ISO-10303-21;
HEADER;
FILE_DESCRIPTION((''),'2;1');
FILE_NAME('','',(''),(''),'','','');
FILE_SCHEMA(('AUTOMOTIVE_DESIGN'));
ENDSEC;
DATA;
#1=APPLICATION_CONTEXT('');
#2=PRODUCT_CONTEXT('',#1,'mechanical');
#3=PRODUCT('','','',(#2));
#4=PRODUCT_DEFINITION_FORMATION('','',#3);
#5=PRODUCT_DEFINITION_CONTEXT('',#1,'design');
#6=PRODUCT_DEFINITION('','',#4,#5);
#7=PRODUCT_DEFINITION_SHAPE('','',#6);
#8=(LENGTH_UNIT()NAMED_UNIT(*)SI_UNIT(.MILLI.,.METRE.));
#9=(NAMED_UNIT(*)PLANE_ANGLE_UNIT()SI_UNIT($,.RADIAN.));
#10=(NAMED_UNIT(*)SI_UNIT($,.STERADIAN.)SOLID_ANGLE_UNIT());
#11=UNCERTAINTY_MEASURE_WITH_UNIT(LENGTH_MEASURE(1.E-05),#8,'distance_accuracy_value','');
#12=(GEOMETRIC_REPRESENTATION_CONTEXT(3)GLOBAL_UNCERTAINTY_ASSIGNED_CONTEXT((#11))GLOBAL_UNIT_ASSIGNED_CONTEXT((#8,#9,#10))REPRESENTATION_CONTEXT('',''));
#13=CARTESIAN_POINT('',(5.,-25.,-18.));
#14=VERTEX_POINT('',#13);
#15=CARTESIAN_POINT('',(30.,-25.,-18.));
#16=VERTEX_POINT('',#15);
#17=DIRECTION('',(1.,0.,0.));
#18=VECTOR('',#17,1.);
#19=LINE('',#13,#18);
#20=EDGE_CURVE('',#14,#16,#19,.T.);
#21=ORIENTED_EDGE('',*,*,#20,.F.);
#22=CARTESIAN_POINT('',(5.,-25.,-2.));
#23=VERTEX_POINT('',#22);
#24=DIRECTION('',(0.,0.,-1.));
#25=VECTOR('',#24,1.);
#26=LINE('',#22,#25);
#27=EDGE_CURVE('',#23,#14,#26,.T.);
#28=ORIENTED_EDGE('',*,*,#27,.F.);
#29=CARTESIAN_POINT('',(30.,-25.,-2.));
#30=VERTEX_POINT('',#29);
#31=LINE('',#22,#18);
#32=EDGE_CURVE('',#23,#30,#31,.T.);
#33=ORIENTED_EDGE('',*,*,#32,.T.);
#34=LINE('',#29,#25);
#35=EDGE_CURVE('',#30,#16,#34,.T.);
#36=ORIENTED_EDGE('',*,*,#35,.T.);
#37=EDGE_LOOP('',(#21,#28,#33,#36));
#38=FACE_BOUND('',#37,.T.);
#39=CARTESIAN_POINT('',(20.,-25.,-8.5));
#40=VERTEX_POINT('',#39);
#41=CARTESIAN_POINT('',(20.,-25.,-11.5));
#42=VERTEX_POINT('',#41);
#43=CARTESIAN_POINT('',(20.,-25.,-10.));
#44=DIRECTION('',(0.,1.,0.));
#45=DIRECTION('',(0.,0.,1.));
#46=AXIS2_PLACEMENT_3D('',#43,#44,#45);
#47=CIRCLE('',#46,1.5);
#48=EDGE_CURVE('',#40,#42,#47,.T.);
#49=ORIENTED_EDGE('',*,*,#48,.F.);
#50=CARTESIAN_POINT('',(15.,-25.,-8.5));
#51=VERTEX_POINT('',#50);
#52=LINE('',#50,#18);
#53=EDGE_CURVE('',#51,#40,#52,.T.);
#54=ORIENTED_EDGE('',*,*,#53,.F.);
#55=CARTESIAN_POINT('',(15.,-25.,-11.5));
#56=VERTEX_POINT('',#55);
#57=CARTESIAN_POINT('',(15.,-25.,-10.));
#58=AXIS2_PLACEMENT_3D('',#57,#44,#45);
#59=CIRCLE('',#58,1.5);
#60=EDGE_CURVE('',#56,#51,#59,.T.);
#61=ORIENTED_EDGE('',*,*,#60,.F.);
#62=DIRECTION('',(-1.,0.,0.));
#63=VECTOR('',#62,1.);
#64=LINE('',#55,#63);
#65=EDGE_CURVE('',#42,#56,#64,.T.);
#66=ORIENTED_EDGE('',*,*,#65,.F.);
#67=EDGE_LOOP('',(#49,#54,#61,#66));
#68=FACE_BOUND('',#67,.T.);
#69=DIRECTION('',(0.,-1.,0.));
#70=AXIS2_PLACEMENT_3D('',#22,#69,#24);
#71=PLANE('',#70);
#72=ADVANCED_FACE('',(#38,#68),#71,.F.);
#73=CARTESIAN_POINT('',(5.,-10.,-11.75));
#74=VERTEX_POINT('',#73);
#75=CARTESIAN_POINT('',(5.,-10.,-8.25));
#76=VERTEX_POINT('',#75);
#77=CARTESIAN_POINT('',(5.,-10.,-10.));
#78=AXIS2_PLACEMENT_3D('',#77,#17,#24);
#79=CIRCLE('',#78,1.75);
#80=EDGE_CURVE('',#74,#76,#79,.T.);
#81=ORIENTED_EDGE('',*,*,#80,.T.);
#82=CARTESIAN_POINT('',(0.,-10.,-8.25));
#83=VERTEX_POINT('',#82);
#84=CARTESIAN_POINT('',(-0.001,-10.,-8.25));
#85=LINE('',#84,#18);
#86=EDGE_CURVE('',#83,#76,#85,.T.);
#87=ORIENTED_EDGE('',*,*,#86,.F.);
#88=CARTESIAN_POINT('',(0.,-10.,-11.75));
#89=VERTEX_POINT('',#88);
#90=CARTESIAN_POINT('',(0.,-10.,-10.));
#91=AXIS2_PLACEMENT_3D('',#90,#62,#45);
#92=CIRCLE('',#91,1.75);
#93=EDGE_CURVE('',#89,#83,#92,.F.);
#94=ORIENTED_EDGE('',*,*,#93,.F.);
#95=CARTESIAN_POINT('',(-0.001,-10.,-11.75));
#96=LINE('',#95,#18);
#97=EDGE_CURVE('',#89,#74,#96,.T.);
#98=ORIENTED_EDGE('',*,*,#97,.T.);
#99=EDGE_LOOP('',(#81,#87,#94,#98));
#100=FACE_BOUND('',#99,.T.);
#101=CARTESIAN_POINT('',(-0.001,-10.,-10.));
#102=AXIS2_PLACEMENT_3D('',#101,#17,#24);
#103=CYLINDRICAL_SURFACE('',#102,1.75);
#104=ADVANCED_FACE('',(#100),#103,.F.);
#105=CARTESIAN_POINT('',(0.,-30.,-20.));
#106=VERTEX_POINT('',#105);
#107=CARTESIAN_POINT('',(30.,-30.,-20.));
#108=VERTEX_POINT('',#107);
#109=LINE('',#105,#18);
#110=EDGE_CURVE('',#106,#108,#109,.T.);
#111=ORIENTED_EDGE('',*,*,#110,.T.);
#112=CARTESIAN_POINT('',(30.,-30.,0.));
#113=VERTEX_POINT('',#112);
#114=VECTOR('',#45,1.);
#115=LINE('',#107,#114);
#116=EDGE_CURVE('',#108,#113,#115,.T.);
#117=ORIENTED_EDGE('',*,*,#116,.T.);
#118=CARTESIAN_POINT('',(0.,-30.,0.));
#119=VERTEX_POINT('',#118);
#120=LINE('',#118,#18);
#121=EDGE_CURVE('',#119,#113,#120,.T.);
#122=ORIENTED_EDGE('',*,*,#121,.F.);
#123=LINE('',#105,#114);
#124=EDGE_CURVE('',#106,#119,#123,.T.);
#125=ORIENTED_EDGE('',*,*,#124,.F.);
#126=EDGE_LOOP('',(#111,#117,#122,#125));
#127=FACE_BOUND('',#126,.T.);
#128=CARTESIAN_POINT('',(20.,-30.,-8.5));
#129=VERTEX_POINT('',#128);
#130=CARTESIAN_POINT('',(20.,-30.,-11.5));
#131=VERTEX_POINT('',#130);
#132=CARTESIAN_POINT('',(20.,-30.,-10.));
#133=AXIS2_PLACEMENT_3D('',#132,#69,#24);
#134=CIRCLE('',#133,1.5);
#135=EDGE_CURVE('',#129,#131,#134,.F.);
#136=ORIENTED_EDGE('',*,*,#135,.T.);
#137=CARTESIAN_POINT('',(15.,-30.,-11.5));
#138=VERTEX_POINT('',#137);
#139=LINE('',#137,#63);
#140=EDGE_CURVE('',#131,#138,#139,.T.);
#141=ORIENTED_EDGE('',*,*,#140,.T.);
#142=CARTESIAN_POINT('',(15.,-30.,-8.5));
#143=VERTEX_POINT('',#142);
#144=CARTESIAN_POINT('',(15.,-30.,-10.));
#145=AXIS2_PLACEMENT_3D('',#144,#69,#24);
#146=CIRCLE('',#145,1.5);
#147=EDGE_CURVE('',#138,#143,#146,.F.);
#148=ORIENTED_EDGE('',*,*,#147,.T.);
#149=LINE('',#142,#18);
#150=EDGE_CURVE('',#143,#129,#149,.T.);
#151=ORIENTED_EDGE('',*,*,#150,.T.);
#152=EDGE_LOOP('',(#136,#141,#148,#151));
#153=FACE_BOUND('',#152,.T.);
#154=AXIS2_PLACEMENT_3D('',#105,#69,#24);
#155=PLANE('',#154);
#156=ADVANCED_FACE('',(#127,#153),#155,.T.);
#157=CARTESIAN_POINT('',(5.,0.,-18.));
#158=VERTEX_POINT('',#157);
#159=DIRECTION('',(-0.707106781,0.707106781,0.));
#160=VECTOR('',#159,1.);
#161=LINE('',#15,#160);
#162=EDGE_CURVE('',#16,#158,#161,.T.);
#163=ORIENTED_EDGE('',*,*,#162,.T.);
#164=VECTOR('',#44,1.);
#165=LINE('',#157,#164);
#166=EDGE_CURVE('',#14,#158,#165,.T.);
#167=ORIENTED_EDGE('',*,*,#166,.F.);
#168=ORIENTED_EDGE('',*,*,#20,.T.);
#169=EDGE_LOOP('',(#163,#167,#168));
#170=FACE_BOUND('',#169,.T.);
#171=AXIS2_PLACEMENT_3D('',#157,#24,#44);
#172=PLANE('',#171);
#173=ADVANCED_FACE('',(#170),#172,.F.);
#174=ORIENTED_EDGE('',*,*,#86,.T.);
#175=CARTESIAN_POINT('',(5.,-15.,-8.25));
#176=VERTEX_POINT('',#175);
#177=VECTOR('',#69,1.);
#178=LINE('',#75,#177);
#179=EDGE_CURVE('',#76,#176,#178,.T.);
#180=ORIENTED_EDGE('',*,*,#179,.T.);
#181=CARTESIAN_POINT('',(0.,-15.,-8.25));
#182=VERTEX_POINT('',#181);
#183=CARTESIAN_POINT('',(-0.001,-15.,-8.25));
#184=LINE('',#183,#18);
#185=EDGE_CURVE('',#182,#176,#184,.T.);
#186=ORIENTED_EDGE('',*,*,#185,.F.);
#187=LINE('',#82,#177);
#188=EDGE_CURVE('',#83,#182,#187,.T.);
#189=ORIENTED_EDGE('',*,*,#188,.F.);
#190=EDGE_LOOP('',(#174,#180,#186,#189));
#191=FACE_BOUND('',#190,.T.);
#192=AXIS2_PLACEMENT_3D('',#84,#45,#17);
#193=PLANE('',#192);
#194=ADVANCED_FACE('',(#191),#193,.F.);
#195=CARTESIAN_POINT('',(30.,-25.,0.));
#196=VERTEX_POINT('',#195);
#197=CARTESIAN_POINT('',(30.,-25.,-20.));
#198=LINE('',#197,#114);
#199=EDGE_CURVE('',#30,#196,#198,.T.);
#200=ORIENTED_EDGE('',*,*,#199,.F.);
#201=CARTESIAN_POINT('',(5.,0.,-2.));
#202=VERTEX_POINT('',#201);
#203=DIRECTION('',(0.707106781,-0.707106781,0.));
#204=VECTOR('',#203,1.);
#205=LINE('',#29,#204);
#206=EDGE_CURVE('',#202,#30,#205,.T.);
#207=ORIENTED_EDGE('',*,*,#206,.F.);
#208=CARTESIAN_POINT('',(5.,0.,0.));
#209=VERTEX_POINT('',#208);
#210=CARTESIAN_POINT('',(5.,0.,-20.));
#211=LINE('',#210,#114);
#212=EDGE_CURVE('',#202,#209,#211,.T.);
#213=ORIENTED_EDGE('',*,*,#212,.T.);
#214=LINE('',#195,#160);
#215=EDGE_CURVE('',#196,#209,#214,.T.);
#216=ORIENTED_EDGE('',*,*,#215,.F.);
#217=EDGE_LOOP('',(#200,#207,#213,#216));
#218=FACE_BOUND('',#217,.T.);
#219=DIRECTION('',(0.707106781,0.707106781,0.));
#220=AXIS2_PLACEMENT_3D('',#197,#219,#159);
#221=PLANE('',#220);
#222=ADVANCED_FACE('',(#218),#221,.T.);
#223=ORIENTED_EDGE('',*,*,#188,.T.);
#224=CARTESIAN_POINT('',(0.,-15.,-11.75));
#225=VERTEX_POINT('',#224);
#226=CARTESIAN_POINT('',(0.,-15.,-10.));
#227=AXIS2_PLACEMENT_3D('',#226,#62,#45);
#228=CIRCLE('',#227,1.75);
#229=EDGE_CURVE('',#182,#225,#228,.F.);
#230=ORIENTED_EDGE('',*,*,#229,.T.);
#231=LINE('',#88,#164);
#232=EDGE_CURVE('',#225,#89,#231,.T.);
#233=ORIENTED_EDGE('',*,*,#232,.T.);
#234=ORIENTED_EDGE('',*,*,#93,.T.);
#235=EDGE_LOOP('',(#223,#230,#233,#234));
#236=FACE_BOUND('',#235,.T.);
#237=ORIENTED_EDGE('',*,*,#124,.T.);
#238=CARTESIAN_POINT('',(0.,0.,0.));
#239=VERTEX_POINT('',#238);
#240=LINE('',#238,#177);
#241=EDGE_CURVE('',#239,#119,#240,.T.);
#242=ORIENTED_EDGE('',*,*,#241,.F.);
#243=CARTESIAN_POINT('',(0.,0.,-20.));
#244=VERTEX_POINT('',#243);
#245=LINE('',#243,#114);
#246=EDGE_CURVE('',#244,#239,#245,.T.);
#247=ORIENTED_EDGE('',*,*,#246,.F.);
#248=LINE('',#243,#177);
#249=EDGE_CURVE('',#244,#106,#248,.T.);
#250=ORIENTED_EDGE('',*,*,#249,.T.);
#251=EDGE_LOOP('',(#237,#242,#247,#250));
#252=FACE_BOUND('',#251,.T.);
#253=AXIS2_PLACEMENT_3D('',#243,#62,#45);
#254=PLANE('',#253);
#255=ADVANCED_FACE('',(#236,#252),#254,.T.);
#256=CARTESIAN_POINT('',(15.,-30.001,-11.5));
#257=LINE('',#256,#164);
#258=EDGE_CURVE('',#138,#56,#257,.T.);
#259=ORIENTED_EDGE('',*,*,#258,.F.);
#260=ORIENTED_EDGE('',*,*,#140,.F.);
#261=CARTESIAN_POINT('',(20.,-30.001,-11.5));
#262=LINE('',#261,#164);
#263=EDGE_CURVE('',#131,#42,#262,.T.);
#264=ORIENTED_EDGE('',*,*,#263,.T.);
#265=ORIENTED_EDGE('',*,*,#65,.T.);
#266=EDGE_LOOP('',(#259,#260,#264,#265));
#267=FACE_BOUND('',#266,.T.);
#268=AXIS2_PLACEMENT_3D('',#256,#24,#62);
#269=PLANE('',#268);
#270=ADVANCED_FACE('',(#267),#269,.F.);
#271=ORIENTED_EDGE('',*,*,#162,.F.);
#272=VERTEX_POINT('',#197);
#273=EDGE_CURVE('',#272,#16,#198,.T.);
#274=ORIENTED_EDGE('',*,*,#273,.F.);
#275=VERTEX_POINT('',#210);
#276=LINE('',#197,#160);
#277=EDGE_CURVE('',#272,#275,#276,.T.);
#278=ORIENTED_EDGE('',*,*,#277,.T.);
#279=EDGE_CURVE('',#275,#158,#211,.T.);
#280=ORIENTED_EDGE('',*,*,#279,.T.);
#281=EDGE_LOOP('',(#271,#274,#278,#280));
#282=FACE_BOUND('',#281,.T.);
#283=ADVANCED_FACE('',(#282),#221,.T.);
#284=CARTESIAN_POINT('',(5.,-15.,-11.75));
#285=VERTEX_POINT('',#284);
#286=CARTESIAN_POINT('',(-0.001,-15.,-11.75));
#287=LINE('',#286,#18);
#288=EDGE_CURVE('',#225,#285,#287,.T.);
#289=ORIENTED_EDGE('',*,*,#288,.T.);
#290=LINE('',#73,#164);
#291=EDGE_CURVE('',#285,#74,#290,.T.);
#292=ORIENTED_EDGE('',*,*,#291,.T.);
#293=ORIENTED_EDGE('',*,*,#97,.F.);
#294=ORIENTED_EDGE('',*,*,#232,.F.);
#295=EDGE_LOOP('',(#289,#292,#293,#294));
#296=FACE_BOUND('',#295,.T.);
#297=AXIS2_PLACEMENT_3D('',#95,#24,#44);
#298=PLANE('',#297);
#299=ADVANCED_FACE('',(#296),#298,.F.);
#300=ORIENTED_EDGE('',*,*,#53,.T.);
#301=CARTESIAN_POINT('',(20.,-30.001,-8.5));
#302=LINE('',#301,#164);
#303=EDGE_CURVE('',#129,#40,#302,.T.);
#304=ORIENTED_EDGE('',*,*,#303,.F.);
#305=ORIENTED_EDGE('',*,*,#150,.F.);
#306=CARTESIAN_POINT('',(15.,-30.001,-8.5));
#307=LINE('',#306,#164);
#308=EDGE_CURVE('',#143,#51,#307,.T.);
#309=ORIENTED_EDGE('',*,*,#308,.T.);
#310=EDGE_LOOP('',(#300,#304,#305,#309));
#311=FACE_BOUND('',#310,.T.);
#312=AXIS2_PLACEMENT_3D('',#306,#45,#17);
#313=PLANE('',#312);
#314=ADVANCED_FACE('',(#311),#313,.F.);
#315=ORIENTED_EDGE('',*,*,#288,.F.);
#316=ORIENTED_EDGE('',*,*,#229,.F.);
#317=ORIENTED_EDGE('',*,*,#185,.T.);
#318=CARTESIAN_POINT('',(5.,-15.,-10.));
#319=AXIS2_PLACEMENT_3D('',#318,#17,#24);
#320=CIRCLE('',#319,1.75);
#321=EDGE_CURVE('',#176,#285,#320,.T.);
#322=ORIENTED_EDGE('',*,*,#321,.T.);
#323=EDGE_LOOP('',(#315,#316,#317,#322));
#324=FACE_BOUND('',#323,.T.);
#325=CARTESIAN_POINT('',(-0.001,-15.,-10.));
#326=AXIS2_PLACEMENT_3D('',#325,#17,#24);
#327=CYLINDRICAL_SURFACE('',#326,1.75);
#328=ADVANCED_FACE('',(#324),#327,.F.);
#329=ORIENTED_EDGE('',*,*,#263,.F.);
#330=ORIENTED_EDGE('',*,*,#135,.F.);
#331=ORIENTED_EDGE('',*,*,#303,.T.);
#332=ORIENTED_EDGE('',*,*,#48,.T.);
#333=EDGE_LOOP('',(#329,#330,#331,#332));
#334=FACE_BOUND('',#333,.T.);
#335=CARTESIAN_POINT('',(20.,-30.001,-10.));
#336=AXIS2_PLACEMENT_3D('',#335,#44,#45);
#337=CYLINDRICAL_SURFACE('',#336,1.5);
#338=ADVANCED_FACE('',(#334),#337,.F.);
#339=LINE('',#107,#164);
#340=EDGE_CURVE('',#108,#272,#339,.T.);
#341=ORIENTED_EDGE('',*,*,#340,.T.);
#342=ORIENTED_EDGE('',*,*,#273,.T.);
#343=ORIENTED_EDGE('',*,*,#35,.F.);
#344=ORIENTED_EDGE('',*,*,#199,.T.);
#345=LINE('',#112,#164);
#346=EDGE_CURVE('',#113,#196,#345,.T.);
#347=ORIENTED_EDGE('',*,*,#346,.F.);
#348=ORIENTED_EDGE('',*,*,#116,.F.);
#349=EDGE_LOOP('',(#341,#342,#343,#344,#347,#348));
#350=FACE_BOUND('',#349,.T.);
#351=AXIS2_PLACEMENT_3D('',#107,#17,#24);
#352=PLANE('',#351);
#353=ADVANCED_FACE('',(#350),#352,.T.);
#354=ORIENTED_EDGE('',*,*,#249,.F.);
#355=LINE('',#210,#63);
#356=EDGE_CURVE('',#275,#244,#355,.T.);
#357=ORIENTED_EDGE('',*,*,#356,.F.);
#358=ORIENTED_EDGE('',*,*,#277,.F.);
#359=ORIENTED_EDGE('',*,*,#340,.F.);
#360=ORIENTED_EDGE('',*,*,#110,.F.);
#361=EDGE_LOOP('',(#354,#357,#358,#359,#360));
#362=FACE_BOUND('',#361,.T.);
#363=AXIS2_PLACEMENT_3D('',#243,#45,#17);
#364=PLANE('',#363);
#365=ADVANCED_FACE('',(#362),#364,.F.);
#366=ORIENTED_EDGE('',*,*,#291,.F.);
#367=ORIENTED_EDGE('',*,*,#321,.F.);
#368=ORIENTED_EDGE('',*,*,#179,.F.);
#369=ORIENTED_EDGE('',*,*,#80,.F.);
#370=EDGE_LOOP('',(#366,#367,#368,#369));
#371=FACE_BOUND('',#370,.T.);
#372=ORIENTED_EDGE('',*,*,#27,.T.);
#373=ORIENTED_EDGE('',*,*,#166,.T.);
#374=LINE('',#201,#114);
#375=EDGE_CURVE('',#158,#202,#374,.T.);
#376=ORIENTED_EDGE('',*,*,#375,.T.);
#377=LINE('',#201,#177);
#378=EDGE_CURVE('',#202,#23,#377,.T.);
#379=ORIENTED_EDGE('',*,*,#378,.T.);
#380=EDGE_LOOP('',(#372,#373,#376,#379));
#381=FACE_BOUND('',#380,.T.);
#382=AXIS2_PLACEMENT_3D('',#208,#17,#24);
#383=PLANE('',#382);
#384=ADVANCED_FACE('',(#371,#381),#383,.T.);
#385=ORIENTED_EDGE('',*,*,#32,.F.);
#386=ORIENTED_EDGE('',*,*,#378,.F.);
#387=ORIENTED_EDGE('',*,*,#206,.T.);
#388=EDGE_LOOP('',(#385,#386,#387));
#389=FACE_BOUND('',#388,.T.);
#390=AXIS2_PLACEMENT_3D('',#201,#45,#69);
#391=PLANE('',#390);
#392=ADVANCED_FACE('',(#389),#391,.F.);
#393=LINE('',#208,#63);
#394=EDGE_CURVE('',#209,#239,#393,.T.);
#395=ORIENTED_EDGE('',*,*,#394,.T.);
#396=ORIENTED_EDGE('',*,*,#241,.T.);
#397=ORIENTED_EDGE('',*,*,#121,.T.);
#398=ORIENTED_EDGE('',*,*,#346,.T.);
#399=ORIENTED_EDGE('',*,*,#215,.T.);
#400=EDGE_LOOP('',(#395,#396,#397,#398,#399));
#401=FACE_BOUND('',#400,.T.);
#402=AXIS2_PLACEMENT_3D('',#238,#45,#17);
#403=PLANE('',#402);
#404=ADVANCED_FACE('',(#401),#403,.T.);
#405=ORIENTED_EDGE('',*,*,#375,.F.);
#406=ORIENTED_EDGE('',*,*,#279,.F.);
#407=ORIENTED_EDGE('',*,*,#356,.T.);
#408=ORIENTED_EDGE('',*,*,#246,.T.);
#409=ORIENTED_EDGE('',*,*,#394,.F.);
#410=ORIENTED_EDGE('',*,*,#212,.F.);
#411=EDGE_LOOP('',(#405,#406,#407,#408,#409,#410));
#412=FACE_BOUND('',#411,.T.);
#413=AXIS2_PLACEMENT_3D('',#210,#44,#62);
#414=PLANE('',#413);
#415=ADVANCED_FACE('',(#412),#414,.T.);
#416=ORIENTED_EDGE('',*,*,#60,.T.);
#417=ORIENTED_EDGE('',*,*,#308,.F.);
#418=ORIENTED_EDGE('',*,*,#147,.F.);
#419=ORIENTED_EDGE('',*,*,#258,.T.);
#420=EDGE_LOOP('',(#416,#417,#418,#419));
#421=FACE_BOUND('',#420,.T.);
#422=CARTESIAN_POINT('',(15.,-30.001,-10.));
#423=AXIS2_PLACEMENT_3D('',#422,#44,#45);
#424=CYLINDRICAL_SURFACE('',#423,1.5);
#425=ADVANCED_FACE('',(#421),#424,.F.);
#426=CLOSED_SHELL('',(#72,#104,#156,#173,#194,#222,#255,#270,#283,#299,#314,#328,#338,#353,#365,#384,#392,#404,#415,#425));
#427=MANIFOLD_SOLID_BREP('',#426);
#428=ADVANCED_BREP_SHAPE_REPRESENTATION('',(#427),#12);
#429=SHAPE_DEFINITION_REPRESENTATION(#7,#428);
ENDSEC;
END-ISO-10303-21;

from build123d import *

# Parameters (mm, degrees)
EXTRUDE_1_DEPTH     = 20
SKETCH_3_W          = 16
SKETCH_3_H          = 25
CUT_EXTRUDE_1_DEPTH = 25
CUT_EXTRUDE_2_REACH = 45.875
CUT_EXTRUDE_3_REACH = 45.875


with BuildPart() as part:
    # 草圖1 → 填料-伸長1 (new body)
    with BuildSketch(Plane.XY):
        Polygon((0, 0), (0, -30), (30, -30), (30, -25), (5, 0), align=None)
    extrude(amount=-EXTRUDE_1_DEPTH)

    # 草圖3 → 除料-伸長1 (cut)
    with BuildSketch(Plane(origin=(30, 0, 0), x_dir=(0, 0, -1), z_dir=(1, 0, 0))):
        with Locations((10, -12.5)):
            Rectangle(SKETCH_3_W, SKETCH_3_H)
    extrude(amount=-CUT_EXTRUDE_1_DEPTH, mode=Mode.SUBTRACT)

    # 草圖4 → 除料-伸長2 (cut, up to next)
    with BuildSketch(Plane(origin=(5, 0, 0), x_dir=(0, 0, -1), z_dir=(1, 0, 0)), mode=Mode.PRIVATE) as cut_extrude_2_sk1:
        with BuildLine():
            Line((11.75, -10), (11.75, -15))
            ThreePointArc((11.75, -15), (10, -16.75), (8.25, -15))
            Line((8.25, -15), (8.25, -10))
            ThreePointArc((8.25, -10), (10, -8.25), (11.75, -10))
        make_face()
    cut_extrude_2_tool1 = extrude(cut_extrude_2_sk1.sketch, amount=-CUT_EXTRUDE_2_REACH, mode=Mode.PRIVATE) & part.part
    add(cut_extrude_2_tool1.solids().sort_by_distance((5, -12.5, -10))[0], mode=Mode.SUBTRACT)

    # 草圖5 → 除料-伸長3 (cut, up to next)
    with BuildSketch(Plane(origin=(0, -25, 0), x_dir=(1, 0, 0), z_dir=(0, 1, 0)), mode=Mode.PRIVATE) as cut_extrude_3_sk1:
        with BuildLine():
            Line((15, 11.5), (20, 11.5))
            ThreePointArc((20, 11.5), (21.5, 10), (20, 8.5))
            Line((20, 8.5), (15, 8.5))
            ThreePointArc((15, 8.5), (13.5, 10), (15, 11.5))
        make_face()
    cut_extrude_3_tool1 = extrude(cut_extrude_3_sk1.sketch, amount=-CUT_EXTRUDE_3_REACH, mode=Mode.PRIVATE) & part.part
    add(cut_extrude_3_tool1.solids().sort_by_distance((17.5, -25, -10))[0], mode=Mode.SUBTRACT)


solid = part.part
